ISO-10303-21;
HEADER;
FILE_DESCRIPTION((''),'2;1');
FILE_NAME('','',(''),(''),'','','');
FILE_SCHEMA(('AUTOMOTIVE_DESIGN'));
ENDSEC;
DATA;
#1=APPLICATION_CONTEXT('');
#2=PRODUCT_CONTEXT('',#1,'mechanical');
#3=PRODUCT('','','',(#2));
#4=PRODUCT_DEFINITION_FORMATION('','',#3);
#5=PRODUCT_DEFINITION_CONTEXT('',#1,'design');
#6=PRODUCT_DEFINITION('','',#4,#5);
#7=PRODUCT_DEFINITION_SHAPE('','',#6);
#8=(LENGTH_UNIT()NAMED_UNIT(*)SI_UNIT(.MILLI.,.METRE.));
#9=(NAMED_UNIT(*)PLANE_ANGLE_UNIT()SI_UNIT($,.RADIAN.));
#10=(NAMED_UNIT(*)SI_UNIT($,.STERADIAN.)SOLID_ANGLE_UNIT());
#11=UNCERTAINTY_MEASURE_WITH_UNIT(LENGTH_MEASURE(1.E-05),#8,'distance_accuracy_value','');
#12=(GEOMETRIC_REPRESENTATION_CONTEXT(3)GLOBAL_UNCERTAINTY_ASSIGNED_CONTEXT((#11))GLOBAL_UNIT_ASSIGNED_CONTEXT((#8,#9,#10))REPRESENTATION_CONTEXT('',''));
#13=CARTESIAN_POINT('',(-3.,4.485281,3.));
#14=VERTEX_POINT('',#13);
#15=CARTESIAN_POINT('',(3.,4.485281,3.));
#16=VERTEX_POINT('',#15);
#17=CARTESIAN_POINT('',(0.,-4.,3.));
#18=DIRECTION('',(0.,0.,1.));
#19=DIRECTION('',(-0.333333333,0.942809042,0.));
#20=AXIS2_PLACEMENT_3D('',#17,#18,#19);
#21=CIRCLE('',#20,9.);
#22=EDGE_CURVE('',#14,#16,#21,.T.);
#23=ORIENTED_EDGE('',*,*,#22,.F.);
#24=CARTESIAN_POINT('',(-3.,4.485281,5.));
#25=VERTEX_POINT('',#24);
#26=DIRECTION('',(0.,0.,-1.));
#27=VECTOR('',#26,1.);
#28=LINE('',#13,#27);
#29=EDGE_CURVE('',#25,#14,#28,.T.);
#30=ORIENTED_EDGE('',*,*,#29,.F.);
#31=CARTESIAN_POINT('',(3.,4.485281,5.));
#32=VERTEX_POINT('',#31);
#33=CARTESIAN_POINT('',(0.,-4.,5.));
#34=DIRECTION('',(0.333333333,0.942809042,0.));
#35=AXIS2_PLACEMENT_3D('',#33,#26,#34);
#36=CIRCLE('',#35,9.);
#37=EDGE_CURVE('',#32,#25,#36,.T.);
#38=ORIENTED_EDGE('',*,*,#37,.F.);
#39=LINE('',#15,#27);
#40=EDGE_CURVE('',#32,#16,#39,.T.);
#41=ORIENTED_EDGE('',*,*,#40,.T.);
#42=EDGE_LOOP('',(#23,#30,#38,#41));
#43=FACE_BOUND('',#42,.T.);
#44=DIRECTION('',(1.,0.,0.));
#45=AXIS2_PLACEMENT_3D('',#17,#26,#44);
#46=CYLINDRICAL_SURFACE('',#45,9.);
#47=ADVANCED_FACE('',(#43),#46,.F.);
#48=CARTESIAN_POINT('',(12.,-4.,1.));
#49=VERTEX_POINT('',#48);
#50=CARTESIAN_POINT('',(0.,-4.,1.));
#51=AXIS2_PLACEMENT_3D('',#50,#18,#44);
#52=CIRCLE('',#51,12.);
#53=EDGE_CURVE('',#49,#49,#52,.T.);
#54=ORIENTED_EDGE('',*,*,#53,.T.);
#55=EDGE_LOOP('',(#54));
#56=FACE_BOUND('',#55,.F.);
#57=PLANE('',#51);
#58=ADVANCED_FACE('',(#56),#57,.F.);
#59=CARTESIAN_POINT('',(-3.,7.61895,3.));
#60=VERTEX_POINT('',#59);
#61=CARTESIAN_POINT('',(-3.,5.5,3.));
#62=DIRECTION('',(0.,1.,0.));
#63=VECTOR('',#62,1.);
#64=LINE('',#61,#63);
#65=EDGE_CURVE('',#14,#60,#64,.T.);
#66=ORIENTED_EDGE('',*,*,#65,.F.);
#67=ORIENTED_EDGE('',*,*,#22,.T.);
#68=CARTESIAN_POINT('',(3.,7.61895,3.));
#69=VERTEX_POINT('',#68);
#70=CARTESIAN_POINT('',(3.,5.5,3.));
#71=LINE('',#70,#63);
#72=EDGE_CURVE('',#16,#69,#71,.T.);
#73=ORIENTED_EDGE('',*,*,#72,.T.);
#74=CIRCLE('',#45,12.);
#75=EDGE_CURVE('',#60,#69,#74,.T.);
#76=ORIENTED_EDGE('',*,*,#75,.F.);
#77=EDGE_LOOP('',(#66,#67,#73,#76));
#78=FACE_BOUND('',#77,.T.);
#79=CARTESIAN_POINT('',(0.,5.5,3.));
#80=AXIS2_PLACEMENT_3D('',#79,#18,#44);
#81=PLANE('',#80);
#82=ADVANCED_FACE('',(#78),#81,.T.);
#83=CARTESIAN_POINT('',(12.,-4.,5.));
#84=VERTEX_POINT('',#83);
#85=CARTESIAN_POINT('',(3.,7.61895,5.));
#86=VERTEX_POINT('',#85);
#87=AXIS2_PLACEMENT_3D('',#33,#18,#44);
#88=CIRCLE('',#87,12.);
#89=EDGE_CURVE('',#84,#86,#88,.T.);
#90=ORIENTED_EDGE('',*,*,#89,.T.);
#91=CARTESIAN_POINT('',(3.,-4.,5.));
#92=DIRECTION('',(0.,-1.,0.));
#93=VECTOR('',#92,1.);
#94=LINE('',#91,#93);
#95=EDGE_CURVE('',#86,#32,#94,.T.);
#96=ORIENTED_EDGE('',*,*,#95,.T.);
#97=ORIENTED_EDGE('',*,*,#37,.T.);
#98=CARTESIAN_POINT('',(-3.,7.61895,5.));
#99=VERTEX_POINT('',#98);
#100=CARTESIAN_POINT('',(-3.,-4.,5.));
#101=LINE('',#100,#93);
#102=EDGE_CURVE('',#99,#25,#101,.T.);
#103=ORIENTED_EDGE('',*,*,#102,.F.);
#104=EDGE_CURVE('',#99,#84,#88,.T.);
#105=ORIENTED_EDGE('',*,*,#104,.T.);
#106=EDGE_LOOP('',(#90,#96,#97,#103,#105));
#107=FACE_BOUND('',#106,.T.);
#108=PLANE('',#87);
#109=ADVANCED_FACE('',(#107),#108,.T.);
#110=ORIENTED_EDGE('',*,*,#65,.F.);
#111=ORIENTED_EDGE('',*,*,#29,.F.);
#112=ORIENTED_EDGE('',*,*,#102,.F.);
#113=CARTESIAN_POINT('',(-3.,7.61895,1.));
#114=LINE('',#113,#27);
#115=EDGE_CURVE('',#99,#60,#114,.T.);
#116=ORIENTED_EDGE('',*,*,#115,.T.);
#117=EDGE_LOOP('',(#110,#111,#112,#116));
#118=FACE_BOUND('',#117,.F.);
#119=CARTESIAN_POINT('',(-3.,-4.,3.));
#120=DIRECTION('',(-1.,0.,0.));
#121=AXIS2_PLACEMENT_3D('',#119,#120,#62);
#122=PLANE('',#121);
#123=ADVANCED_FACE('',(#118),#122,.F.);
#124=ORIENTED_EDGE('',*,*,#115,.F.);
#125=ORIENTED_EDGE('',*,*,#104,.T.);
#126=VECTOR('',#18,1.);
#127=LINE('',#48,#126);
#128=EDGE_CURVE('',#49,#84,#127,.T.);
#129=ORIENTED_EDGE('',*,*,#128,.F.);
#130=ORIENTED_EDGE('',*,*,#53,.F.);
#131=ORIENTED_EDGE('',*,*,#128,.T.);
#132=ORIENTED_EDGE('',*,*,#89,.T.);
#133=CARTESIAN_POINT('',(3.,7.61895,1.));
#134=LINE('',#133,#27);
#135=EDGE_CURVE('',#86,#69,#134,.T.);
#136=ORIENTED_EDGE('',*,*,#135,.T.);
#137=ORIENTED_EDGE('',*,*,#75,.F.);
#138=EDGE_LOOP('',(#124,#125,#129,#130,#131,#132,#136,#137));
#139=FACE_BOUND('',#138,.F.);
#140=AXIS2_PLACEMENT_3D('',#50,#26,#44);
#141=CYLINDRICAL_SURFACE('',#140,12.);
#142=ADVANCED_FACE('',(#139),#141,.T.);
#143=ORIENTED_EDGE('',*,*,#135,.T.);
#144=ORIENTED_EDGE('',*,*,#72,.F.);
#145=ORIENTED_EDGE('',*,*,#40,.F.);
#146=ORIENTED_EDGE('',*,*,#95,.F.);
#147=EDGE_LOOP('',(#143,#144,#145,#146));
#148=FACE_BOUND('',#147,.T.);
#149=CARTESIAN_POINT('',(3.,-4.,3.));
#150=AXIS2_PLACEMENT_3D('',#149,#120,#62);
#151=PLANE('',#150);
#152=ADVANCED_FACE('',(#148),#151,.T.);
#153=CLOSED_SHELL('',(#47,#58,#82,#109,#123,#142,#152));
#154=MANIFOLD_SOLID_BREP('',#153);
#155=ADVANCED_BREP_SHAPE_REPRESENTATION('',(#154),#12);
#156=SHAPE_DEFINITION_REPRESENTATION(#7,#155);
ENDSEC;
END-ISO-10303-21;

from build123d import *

# Parameters (mm, degrees)
BOX_W             = 6
BOX_H             = 19
BOX_DEPTH         = 10
CYLINDER001_R     = 9
CYLINDER001_DEPTH = 10
CYLINDER_R        = 12
CYLINDER_DEPTH    = 4


with BuildPart() as cubo:
    # Box → Box (new body)
    with BuildSketch(Plane(origin=(-3, -4, 3), x_dir=(1, 0, 0), z_dir=(0, 0, 1))):
        with Locations((3, 9.5)):
            Rectangle(BOX_W, BOX_H)
    extrude(amount=BOX_DEPTH)


with BuildPart() as circ_int:
    # Cylinder001 → Cylinder001 (new body)
    with BuildSketch(Plane(origin=(0, -4, 3), x_dir=(1, 0, 0), z_dir=(0, 0, 1))):
        Circle(CYLINDER001_R)
    extrude(amount=CYLINDER001_DEPTH)


with BuildPart() as cut002:
    # Cylinder → Cylinder (new body)
    with BuildSketch(Plane(origin=(0, -4, 1), x_dir=(1, 0, 0), z_dir=(0, 0, 1))):
        Circle(CYLINDER_R)
    extrude(amount=CYLINDER_DEPTH)

    # Cut001: cut circ-int
    add(circ_int.part, mode=Mode.SUBTRACT)

    # Cut002: cut Cubo
    add(cubo.part, mode=Mode.SUBTRACT)


solid = cut002.part
